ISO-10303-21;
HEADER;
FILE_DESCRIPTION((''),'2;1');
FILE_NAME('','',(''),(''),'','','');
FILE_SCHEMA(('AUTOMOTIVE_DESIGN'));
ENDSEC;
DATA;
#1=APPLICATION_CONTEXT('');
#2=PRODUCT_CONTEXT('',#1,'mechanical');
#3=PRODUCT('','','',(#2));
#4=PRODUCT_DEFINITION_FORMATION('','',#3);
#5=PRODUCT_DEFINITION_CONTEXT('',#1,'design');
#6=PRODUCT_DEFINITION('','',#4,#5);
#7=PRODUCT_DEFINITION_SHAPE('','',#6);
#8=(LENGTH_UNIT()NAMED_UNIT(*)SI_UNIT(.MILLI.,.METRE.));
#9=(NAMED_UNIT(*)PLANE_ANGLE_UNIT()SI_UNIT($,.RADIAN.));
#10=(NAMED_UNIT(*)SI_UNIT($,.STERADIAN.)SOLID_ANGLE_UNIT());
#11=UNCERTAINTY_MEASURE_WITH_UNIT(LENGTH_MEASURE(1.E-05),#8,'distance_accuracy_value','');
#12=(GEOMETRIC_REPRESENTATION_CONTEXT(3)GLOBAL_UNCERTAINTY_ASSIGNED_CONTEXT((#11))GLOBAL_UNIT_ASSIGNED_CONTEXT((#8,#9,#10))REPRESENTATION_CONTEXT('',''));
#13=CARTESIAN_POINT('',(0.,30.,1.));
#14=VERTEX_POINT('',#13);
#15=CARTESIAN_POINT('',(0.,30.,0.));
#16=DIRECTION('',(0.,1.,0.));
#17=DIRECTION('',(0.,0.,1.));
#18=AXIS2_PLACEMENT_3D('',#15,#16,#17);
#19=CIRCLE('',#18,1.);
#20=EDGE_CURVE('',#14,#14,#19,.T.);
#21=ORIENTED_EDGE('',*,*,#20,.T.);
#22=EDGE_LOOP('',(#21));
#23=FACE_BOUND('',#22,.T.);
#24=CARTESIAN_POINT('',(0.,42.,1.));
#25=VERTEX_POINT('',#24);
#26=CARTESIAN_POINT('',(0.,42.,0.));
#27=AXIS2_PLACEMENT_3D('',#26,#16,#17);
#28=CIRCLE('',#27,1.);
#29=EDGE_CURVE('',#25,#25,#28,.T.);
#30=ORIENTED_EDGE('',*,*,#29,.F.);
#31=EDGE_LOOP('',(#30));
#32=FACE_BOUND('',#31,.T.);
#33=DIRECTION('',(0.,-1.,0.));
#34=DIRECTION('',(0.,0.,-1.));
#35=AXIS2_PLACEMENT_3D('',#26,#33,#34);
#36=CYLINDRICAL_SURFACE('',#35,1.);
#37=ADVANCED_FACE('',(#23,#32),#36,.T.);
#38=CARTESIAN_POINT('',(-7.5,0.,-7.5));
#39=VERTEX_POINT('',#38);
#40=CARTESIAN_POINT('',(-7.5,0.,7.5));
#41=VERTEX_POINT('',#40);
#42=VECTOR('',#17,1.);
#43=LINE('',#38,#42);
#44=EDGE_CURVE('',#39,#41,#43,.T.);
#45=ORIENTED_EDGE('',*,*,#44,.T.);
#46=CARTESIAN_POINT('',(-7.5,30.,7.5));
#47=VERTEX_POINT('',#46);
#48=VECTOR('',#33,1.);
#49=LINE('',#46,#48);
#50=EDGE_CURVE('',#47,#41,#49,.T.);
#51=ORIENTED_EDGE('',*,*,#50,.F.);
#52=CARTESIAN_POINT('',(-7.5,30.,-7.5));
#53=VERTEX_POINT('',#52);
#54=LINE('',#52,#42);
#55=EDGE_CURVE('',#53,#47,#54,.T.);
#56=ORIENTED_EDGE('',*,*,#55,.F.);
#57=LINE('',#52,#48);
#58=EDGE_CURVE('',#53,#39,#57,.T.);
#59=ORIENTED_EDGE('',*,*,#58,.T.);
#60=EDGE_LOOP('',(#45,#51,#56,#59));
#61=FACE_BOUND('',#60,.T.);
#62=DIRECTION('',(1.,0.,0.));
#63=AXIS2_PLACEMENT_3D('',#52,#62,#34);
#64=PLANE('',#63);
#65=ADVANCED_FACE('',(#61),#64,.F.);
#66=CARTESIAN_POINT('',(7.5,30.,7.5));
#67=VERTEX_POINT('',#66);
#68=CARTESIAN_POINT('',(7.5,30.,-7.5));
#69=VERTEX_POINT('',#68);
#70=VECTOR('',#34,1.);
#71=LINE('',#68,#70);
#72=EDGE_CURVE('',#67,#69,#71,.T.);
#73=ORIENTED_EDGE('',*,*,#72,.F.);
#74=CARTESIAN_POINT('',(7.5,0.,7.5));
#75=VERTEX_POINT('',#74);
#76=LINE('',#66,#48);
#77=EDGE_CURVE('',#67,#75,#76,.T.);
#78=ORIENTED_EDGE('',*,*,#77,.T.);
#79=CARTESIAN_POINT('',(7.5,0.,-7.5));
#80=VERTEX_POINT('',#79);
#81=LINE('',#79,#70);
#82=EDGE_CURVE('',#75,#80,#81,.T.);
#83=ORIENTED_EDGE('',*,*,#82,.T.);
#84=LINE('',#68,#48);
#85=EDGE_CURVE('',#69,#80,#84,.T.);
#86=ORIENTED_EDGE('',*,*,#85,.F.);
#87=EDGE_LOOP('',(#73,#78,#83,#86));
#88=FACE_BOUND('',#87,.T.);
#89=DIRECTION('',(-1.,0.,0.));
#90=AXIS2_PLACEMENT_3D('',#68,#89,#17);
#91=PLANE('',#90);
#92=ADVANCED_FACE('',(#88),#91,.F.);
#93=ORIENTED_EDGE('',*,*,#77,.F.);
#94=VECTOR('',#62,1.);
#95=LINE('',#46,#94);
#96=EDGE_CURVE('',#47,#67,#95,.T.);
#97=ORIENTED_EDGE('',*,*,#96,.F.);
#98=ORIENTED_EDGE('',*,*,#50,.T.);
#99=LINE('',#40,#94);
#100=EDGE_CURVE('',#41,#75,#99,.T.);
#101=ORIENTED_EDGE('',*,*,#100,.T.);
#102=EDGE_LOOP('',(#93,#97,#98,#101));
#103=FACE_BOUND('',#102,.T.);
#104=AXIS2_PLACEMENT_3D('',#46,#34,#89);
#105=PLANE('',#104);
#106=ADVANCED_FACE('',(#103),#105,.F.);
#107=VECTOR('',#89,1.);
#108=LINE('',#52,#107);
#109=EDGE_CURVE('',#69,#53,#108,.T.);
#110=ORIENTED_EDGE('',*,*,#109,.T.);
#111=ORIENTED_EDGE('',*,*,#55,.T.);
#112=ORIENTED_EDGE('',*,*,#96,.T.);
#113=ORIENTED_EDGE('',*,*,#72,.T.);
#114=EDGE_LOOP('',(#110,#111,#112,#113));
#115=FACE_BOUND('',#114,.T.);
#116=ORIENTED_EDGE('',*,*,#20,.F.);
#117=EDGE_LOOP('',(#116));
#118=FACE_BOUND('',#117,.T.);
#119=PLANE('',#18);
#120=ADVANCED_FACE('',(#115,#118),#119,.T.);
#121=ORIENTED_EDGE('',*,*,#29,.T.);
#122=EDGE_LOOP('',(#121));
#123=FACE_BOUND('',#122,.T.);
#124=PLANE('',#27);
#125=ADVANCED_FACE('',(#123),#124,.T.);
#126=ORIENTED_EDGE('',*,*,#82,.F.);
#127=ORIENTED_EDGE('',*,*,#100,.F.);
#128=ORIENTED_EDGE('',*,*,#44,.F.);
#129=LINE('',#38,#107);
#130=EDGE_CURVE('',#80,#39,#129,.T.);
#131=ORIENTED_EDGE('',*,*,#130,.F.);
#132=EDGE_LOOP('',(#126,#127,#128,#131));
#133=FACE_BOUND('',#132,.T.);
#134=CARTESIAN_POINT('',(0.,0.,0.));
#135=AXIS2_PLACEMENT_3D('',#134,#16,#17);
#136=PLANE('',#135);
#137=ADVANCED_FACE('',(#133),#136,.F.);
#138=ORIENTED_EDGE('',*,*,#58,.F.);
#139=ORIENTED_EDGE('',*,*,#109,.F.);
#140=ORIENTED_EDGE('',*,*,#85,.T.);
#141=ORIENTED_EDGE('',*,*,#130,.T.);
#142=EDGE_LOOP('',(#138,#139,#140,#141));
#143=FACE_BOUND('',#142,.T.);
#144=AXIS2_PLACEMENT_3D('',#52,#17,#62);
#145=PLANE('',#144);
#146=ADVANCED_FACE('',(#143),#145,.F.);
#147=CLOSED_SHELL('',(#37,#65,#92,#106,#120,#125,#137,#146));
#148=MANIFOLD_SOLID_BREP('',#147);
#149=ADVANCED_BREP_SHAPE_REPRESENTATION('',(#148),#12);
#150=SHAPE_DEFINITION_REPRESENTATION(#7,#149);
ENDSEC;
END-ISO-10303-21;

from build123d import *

# Parameters (mm, degrees)
SKETCH3_W           = 15
SKETCH3_H           = 15
BOSS_EXTRUDE1_DEPTH = 30
SKETCH4_R           = 1
BOSS_EXTRUDE2_DEPTH = 12


with BuildPart() as part:
    # Sketch3 → Boss-Extrude1 (new body)
    with BuildSketch(Plane(origin=(0, 0, 0), x_dir=(1, 0, 0), z_dir=(0, 1, 0))):
        Rectangle(SKETCH3_W, SKETCH3_H)
    extrude(amount=BOSS_EXTRUDE1_DEPTH)

    # Sketch4 → Boss-Extrude2 (add)
    with BuildSketch(Plane(origin=(0, 30, 0), x_dir=(1, 0, 0), z_dir=(0, 1, 0))):
        Circle(SKETCH4_R)
    extrude(amount=BOSS_EXTRUDE2_DEPTH)


solid = part.part
